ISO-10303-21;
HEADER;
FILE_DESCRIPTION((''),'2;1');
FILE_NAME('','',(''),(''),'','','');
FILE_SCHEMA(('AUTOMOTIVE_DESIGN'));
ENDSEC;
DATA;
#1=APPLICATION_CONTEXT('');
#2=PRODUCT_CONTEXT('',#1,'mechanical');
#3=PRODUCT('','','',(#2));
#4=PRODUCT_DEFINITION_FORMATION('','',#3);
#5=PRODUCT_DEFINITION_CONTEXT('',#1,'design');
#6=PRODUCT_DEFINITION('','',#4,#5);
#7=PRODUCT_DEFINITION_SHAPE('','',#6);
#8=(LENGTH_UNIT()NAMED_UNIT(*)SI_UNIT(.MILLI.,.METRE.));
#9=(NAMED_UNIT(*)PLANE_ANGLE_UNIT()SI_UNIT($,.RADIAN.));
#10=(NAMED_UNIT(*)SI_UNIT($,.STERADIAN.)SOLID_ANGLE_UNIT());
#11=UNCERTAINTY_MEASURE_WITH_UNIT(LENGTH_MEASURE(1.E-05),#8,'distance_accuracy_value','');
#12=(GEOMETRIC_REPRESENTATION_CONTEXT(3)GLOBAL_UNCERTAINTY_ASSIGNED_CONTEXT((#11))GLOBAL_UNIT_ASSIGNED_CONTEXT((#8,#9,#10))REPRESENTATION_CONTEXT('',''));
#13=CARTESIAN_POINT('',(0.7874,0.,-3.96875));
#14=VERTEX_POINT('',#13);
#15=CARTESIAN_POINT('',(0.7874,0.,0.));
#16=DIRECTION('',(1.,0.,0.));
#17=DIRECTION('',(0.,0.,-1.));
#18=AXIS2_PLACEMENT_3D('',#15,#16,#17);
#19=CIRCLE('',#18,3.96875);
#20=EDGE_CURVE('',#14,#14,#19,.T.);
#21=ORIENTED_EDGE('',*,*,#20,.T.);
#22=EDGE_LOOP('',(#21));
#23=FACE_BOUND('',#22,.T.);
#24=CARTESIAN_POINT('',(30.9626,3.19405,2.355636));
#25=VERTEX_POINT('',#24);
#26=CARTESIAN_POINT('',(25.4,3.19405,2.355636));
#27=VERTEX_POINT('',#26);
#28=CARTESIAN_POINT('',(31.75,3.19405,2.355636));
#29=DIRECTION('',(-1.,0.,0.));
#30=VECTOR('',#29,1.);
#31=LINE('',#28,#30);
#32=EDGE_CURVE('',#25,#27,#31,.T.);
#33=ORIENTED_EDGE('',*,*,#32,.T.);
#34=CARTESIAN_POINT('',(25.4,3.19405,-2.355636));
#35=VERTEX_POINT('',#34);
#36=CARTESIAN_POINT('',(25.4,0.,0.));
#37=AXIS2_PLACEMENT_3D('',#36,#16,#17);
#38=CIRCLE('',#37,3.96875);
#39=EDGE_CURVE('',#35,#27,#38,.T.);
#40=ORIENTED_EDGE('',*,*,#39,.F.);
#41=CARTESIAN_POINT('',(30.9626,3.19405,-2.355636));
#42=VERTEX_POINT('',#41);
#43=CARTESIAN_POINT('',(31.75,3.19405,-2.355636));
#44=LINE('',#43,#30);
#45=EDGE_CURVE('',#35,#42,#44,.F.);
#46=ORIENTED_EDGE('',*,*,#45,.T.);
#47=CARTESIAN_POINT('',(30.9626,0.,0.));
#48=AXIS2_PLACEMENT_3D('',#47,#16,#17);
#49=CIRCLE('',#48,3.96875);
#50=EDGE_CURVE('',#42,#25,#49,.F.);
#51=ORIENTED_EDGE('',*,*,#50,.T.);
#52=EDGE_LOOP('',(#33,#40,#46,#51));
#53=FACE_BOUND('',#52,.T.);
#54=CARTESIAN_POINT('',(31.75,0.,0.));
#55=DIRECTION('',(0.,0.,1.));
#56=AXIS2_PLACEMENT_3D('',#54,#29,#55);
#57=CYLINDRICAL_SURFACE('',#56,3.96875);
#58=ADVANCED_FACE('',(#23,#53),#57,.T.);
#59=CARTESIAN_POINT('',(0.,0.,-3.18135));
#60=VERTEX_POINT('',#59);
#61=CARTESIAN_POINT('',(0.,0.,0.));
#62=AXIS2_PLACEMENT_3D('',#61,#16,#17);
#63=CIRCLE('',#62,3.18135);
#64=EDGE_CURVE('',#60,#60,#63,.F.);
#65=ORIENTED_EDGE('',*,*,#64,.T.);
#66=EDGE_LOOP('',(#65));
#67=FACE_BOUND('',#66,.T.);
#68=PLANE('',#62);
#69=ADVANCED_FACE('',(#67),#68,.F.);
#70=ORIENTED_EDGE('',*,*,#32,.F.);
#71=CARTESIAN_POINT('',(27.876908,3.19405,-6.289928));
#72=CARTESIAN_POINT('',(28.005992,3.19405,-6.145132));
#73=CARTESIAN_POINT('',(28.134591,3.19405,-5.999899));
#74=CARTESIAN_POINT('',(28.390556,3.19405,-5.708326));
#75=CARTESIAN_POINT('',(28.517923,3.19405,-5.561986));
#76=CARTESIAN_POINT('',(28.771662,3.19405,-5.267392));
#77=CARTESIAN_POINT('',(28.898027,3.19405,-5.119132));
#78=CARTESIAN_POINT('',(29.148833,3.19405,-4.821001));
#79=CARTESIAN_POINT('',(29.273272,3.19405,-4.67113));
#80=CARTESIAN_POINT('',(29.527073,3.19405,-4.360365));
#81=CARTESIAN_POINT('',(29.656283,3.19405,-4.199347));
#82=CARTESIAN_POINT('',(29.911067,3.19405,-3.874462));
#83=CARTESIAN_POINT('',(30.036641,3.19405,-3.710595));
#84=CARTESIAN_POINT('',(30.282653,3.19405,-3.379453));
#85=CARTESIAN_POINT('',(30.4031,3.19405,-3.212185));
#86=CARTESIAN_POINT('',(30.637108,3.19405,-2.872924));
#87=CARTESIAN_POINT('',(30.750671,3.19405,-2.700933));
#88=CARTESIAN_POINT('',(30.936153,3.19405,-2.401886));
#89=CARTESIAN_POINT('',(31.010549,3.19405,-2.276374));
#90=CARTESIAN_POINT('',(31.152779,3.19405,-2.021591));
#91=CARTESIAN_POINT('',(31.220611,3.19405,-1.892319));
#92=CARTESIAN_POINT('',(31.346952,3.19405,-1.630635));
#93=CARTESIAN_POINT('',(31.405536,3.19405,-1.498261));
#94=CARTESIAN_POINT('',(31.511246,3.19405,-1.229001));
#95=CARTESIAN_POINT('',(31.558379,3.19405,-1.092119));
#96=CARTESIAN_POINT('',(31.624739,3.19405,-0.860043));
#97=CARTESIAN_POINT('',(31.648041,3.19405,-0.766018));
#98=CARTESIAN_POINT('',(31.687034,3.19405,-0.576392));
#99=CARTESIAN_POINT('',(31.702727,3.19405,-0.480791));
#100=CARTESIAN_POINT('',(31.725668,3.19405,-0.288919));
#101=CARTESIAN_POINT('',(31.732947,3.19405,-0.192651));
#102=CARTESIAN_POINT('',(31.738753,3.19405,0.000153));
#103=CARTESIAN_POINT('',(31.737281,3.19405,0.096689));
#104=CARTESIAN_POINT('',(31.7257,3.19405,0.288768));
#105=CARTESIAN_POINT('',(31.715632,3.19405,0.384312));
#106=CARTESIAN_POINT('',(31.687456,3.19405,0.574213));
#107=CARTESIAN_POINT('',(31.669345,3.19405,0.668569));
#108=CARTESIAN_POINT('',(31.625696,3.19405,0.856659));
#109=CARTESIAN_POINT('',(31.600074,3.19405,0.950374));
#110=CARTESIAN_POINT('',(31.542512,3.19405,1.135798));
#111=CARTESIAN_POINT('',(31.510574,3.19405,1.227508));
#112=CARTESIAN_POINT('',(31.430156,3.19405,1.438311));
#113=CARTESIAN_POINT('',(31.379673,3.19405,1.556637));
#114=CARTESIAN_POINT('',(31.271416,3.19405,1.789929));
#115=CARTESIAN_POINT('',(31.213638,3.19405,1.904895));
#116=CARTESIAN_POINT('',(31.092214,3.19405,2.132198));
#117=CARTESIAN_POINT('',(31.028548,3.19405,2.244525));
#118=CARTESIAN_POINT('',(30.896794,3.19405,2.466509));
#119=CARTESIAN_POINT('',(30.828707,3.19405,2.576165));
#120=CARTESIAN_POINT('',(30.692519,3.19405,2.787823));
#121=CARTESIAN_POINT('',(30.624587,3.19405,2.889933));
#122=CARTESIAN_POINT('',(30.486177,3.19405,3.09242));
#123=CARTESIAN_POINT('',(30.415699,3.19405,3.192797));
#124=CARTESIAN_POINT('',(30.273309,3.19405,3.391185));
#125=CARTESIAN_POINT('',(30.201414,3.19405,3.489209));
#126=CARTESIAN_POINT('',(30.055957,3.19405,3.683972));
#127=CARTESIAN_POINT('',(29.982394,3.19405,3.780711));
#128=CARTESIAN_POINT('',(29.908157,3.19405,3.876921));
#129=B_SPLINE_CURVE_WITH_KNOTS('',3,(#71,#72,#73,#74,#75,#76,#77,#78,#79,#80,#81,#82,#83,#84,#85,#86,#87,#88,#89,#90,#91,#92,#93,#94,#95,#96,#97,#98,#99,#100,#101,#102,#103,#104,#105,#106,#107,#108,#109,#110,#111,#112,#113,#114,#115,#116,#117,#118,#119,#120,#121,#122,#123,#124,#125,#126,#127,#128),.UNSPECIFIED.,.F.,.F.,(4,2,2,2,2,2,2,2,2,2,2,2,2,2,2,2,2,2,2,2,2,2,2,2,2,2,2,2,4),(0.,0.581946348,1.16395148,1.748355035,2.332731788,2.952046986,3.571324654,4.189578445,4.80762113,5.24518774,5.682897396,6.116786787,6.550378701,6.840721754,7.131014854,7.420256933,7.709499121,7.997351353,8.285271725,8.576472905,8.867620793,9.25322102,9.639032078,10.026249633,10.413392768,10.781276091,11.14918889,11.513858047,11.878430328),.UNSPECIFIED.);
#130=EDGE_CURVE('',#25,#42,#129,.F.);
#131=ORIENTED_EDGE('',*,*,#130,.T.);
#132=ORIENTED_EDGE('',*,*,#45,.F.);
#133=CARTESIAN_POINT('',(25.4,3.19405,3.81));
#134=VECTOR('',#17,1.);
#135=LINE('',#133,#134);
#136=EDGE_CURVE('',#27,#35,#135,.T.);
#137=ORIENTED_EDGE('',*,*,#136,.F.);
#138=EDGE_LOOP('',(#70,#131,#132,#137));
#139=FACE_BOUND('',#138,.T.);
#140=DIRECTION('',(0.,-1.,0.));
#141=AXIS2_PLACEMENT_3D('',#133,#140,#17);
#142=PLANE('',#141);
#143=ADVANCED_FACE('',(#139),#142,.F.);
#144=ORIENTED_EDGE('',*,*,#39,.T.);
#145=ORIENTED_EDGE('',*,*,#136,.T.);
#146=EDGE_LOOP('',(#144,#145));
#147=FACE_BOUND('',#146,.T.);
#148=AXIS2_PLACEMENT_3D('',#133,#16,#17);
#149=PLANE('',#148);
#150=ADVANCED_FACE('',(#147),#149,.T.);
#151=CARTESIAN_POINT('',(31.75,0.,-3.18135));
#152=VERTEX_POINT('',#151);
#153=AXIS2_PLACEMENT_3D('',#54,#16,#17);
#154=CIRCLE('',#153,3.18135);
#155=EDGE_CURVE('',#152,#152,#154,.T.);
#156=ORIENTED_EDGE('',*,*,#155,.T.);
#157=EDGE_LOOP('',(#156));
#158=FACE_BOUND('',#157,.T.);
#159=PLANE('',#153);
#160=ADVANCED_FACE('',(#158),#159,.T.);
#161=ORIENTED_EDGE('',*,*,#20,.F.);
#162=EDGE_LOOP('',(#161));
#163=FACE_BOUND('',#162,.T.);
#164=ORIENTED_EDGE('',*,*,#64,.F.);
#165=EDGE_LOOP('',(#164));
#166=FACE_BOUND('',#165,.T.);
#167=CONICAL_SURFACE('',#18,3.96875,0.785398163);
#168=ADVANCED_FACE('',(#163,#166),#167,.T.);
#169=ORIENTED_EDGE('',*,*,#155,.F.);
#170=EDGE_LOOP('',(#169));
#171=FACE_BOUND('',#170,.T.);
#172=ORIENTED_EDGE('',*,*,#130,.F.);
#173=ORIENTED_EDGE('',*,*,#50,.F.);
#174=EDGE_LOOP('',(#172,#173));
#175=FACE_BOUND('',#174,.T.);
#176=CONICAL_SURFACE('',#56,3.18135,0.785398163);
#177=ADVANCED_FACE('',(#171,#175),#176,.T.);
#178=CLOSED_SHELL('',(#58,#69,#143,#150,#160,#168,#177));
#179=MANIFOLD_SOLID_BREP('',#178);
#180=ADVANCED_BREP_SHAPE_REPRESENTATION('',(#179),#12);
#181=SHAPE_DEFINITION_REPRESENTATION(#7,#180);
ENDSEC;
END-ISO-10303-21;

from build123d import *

# Parameters (mm, degrees)
SKETCH1_R      = 3.96875
EXTRUDE1_DEPTH = 31.75
CHAMFER1_SIZE  = 0.7874
SKETCH2_W      = 7.62
SKETCH2_H      = 1.27
EXTRUDE2_DEPTH = 6.35


with BuildPart() as part:
    # Sketch1 → Extrude1 (new body)
    with BuildSketch(Plane(origin=(0, 0, 0), x_dir=(0, 0, -1), z_dir=(1, 0, 0))):
        Circle(SKETCH1_R)
    extrude(amount=EXTRUDE1_DEPTH)

    # Chamfer1
    chamfer1_edges = [part.edges().sort_by_distance(p)[0] for p in [
        (0, 0, 3.96875),
        (31.75, 0, 3.96875),
    ]]
    chamfer(chamfer1_edges, length=CHAMFER1_SIZE)

    # Sketch2 → Extrude2 (cut)
    with BuildSketch(Plane(origin=(31.75, 0, 0), x_dir=(0, 0, -1), z_dir=(1, 0, 0))):
        with Locations((0, 3.82905)):
            Rectangle(SKETCH2_W, SKETCH2_H)
    extrude(amount=-EXTRUDE2_DEPTH, mode=Mode.SUBTRACT)


solid = part.part
